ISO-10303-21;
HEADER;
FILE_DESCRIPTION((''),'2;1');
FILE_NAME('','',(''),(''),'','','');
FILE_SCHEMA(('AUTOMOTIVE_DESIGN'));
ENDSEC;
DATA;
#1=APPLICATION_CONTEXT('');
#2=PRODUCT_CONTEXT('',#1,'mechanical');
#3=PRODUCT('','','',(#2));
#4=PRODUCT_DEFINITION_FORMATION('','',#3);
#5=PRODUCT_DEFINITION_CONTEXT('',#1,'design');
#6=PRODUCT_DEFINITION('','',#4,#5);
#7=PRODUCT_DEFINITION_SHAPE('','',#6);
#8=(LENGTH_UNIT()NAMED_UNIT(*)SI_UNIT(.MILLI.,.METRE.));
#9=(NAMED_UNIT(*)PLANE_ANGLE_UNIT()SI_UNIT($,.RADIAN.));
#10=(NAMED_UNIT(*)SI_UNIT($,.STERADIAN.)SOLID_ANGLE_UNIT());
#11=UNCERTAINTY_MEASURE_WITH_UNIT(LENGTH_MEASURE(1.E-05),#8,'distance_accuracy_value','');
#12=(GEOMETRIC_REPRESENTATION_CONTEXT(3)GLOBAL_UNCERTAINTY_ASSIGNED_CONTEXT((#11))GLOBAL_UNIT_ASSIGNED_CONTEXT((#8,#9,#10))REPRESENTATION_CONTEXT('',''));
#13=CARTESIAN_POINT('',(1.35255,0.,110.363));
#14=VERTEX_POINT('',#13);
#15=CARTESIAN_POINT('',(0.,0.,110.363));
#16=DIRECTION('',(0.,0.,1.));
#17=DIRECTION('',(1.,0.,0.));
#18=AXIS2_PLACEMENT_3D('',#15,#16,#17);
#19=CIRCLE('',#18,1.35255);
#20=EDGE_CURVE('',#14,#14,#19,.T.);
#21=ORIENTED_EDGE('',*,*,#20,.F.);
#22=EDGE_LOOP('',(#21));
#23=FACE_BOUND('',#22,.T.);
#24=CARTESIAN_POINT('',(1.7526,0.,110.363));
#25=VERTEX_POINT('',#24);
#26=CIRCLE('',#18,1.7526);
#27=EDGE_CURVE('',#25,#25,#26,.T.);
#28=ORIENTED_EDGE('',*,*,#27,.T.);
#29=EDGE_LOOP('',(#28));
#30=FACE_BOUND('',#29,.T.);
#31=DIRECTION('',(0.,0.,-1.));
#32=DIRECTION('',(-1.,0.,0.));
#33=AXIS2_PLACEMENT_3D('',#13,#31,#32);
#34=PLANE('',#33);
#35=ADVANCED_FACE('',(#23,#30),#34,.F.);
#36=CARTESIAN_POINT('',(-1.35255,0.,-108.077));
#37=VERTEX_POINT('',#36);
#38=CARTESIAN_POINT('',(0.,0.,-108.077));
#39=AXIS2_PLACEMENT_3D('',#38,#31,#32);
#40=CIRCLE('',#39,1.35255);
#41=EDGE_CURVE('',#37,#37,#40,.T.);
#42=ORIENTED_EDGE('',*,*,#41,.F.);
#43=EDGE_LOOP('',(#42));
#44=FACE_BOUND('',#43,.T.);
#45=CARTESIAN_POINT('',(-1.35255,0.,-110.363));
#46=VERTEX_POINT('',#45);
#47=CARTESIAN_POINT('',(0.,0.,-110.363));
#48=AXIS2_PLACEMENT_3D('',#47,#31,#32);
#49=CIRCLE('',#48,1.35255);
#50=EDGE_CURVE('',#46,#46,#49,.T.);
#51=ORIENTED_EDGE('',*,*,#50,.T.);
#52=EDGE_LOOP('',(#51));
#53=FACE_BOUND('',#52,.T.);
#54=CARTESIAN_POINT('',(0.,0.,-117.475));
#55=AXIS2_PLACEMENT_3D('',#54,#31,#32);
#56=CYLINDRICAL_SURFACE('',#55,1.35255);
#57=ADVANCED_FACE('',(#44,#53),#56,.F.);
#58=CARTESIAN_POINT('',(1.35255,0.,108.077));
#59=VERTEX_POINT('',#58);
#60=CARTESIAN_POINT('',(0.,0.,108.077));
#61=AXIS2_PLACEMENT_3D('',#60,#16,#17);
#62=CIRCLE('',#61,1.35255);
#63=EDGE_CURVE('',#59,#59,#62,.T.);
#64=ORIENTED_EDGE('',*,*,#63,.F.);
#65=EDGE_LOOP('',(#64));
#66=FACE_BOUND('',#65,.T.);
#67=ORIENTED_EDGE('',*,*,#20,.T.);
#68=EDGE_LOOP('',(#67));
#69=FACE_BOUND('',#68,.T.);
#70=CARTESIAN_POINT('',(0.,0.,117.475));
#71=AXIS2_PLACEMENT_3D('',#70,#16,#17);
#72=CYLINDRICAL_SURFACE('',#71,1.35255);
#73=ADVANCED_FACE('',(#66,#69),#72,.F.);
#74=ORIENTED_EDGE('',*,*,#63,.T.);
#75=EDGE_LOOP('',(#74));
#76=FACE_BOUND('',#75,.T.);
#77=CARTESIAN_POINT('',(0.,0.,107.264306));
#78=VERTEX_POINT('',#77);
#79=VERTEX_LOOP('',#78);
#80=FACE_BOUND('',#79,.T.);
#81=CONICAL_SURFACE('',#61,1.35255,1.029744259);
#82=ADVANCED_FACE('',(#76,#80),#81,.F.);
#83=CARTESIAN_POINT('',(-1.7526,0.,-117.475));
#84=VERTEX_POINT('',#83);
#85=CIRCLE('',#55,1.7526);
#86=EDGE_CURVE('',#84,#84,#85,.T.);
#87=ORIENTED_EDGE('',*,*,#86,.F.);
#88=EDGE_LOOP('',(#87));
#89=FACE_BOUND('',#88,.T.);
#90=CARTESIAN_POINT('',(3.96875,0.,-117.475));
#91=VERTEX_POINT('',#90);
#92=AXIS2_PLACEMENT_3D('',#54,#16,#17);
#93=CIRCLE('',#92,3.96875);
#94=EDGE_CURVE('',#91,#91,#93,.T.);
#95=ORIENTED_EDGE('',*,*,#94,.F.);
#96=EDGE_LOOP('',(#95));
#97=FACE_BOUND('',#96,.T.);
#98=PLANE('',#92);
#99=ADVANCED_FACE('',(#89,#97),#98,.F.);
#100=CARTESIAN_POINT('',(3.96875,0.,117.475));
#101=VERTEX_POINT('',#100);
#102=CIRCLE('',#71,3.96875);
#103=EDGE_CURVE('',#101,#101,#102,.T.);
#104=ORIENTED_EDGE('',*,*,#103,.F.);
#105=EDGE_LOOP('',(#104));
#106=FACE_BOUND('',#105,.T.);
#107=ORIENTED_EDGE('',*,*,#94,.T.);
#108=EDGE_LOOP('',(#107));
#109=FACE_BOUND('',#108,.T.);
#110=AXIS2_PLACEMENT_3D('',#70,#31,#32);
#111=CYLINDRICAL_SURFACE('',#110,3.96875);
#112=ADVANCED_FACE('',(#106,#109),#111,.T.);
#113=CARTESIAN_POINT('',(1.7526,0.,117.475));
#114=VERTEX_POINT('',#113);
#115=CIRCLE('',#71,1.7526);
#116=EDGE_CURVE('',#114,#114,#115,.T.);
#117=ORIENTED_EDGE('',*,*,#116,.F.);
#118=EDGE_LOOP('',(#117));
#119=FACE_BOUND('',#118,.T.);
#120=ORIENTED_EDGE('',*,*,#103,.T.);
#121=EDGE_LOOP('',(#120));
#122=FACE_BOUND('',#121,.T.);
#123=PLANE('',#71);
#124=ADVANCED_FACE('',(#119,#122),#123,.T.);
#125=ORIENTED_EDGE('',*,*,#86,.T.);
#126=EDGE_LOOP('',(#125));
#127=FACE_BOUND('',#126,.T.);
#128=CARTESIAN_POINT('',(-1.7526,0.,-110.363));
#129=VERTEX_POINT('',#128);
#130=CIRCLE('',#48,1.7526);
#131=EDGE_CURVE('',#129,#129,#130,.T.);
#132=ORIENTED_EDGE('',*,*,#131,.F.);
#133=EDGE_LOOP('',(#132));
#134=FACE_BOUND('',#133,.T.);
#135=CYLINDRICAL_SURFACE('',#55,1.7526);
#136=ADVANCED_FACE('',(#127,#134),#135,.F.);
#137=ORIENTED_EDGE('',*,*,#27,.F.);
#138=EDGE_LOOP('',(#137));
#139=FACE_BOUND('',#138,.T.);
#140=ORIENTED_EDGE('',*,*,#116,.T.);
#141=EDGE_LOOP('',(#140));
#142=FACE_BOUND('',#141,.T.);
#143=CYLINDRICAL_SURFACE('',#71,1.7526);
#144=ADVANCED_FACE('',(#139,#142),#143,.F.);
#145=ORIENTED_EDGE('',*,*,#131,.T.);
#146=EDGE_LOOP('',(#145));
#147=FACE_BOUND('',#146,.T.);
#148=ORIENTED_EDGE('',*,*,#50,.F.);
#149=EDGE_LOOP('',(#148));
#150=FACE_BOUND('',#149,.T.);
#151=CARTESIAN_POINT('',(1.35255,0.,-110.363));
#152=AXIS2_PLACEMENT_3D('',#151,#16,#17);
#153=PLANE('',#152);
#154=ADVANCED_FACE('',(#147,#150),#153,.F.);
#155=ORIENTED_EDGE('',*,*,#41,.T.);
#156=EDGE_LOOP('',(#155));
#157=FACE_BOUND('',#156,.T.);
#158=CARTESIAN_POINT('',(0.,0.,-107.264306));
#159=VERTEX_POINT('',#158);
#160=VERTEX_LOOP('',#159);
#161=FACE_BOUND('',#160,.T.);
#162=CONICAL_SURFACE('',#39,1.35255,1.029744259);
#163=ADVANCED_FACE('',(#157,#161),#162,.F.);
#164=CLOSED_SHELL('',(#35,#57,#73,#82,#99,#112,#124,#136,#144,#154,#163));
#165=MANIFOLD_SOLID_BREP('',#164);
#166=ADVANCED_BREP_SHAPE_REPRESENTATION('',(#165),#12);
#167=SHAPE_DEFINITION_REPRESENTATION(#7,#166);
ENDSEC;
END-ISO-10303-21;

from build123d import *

# Parameters (mm, degrees)
SKETCH1_R                       = 3.96875
BOSS_EXTRUDE1_DEPTH             = 117.475
F_6_32_TAPPED_HOLE1_D           = 2.7051
F_6_32_TAPPED_HOLE1_DEPTH       = 9.398
F_6_32_TAPPED_HOLE1_CBORE_D     = 3.5052
F_6_32_TAPPED_HOLE1_CBORE_DEPTH = 7.112
F_6_32_TAPPED_HOLE1_TIP         = 0.81269403
F_6_32_TAPPED_HOLE2_D           = 2.7051
F_6_32_TAPPED_HOLE2_DEPTH       = 9.398
F_6_32_TAPPED_HOLE2_CBORE_D     = 3.5052
F_6_32_TAPPED_HOLE2_CBORE_DEPTH = 7.112
F_6_32_TAPPED_HOLE2_TIP         = 0.81269403


with BuildPart() as part:
    # Sketch1 → Boss-Extrude1 (new, symmetric)
    with BuildSketch(Plane.XY):
        Circle(SKETCH1_R)
    extrude(amount=BOSS_EXTRUDE1_DEPTH, both=True)

    # #6-32 Tapped Hole1
    with Locations(Plane(origin=(0, 0, -117.475), x_dir=(-1, 0, 0), z_dir=(0, 0, -1))):
        with Locations((0, 0)):
            CounterBoreHole(F_6_32_TAPPED_HOLE1_D / 2, F_6_32_TAPPED_HOLE1_CBORE_D / 2, F_6_32_TAPPED_HOLE1_CBORE_DEPTH, depth=F_6_32_TAPPED_HOLE1_DEPTH)
            with Locations((0, 0, -(F_6_32_TAPPED_HOLE1_DEPTH + F_6_32_TAPPED_HOLE1_TIP / 2))):  # 118° drill point
                Cone(0, F_6_32_TAPPED_HOLE1_D / 2, F_6_32_TAPPED_HOLE1_TIP, mode=Mode.SUBTRACT)

    # #6-32 Tapped Hole2
    with Locations(Plane.XY.offset(117.475)):
        with Locations((0, 0)):
            CounterBoreHole(F_6_32_TAPPED_HOLE2_D / 2, F_6_32_TAPPED_HOLE2_CBORE_D / 2, F_6_32_TAPPED_HOLE2_CBORE_DEPTH, depth=F_6_32_TAPPED_HOLE2_DEPTH)
            with Locations((0, 0, -(F_6_32_TAPPED_HOLE2_DEPTH + F_6_32_TAPPED_HOLE2_TIP / 2))):  # 118° drill point
                Cone(0, F_6_32_TAPPED_HOLE2_D / 2, F_6_32_TAPPED_HOLE2_TIP, mode=Mode.SUBTRACT)


solid = part.part
